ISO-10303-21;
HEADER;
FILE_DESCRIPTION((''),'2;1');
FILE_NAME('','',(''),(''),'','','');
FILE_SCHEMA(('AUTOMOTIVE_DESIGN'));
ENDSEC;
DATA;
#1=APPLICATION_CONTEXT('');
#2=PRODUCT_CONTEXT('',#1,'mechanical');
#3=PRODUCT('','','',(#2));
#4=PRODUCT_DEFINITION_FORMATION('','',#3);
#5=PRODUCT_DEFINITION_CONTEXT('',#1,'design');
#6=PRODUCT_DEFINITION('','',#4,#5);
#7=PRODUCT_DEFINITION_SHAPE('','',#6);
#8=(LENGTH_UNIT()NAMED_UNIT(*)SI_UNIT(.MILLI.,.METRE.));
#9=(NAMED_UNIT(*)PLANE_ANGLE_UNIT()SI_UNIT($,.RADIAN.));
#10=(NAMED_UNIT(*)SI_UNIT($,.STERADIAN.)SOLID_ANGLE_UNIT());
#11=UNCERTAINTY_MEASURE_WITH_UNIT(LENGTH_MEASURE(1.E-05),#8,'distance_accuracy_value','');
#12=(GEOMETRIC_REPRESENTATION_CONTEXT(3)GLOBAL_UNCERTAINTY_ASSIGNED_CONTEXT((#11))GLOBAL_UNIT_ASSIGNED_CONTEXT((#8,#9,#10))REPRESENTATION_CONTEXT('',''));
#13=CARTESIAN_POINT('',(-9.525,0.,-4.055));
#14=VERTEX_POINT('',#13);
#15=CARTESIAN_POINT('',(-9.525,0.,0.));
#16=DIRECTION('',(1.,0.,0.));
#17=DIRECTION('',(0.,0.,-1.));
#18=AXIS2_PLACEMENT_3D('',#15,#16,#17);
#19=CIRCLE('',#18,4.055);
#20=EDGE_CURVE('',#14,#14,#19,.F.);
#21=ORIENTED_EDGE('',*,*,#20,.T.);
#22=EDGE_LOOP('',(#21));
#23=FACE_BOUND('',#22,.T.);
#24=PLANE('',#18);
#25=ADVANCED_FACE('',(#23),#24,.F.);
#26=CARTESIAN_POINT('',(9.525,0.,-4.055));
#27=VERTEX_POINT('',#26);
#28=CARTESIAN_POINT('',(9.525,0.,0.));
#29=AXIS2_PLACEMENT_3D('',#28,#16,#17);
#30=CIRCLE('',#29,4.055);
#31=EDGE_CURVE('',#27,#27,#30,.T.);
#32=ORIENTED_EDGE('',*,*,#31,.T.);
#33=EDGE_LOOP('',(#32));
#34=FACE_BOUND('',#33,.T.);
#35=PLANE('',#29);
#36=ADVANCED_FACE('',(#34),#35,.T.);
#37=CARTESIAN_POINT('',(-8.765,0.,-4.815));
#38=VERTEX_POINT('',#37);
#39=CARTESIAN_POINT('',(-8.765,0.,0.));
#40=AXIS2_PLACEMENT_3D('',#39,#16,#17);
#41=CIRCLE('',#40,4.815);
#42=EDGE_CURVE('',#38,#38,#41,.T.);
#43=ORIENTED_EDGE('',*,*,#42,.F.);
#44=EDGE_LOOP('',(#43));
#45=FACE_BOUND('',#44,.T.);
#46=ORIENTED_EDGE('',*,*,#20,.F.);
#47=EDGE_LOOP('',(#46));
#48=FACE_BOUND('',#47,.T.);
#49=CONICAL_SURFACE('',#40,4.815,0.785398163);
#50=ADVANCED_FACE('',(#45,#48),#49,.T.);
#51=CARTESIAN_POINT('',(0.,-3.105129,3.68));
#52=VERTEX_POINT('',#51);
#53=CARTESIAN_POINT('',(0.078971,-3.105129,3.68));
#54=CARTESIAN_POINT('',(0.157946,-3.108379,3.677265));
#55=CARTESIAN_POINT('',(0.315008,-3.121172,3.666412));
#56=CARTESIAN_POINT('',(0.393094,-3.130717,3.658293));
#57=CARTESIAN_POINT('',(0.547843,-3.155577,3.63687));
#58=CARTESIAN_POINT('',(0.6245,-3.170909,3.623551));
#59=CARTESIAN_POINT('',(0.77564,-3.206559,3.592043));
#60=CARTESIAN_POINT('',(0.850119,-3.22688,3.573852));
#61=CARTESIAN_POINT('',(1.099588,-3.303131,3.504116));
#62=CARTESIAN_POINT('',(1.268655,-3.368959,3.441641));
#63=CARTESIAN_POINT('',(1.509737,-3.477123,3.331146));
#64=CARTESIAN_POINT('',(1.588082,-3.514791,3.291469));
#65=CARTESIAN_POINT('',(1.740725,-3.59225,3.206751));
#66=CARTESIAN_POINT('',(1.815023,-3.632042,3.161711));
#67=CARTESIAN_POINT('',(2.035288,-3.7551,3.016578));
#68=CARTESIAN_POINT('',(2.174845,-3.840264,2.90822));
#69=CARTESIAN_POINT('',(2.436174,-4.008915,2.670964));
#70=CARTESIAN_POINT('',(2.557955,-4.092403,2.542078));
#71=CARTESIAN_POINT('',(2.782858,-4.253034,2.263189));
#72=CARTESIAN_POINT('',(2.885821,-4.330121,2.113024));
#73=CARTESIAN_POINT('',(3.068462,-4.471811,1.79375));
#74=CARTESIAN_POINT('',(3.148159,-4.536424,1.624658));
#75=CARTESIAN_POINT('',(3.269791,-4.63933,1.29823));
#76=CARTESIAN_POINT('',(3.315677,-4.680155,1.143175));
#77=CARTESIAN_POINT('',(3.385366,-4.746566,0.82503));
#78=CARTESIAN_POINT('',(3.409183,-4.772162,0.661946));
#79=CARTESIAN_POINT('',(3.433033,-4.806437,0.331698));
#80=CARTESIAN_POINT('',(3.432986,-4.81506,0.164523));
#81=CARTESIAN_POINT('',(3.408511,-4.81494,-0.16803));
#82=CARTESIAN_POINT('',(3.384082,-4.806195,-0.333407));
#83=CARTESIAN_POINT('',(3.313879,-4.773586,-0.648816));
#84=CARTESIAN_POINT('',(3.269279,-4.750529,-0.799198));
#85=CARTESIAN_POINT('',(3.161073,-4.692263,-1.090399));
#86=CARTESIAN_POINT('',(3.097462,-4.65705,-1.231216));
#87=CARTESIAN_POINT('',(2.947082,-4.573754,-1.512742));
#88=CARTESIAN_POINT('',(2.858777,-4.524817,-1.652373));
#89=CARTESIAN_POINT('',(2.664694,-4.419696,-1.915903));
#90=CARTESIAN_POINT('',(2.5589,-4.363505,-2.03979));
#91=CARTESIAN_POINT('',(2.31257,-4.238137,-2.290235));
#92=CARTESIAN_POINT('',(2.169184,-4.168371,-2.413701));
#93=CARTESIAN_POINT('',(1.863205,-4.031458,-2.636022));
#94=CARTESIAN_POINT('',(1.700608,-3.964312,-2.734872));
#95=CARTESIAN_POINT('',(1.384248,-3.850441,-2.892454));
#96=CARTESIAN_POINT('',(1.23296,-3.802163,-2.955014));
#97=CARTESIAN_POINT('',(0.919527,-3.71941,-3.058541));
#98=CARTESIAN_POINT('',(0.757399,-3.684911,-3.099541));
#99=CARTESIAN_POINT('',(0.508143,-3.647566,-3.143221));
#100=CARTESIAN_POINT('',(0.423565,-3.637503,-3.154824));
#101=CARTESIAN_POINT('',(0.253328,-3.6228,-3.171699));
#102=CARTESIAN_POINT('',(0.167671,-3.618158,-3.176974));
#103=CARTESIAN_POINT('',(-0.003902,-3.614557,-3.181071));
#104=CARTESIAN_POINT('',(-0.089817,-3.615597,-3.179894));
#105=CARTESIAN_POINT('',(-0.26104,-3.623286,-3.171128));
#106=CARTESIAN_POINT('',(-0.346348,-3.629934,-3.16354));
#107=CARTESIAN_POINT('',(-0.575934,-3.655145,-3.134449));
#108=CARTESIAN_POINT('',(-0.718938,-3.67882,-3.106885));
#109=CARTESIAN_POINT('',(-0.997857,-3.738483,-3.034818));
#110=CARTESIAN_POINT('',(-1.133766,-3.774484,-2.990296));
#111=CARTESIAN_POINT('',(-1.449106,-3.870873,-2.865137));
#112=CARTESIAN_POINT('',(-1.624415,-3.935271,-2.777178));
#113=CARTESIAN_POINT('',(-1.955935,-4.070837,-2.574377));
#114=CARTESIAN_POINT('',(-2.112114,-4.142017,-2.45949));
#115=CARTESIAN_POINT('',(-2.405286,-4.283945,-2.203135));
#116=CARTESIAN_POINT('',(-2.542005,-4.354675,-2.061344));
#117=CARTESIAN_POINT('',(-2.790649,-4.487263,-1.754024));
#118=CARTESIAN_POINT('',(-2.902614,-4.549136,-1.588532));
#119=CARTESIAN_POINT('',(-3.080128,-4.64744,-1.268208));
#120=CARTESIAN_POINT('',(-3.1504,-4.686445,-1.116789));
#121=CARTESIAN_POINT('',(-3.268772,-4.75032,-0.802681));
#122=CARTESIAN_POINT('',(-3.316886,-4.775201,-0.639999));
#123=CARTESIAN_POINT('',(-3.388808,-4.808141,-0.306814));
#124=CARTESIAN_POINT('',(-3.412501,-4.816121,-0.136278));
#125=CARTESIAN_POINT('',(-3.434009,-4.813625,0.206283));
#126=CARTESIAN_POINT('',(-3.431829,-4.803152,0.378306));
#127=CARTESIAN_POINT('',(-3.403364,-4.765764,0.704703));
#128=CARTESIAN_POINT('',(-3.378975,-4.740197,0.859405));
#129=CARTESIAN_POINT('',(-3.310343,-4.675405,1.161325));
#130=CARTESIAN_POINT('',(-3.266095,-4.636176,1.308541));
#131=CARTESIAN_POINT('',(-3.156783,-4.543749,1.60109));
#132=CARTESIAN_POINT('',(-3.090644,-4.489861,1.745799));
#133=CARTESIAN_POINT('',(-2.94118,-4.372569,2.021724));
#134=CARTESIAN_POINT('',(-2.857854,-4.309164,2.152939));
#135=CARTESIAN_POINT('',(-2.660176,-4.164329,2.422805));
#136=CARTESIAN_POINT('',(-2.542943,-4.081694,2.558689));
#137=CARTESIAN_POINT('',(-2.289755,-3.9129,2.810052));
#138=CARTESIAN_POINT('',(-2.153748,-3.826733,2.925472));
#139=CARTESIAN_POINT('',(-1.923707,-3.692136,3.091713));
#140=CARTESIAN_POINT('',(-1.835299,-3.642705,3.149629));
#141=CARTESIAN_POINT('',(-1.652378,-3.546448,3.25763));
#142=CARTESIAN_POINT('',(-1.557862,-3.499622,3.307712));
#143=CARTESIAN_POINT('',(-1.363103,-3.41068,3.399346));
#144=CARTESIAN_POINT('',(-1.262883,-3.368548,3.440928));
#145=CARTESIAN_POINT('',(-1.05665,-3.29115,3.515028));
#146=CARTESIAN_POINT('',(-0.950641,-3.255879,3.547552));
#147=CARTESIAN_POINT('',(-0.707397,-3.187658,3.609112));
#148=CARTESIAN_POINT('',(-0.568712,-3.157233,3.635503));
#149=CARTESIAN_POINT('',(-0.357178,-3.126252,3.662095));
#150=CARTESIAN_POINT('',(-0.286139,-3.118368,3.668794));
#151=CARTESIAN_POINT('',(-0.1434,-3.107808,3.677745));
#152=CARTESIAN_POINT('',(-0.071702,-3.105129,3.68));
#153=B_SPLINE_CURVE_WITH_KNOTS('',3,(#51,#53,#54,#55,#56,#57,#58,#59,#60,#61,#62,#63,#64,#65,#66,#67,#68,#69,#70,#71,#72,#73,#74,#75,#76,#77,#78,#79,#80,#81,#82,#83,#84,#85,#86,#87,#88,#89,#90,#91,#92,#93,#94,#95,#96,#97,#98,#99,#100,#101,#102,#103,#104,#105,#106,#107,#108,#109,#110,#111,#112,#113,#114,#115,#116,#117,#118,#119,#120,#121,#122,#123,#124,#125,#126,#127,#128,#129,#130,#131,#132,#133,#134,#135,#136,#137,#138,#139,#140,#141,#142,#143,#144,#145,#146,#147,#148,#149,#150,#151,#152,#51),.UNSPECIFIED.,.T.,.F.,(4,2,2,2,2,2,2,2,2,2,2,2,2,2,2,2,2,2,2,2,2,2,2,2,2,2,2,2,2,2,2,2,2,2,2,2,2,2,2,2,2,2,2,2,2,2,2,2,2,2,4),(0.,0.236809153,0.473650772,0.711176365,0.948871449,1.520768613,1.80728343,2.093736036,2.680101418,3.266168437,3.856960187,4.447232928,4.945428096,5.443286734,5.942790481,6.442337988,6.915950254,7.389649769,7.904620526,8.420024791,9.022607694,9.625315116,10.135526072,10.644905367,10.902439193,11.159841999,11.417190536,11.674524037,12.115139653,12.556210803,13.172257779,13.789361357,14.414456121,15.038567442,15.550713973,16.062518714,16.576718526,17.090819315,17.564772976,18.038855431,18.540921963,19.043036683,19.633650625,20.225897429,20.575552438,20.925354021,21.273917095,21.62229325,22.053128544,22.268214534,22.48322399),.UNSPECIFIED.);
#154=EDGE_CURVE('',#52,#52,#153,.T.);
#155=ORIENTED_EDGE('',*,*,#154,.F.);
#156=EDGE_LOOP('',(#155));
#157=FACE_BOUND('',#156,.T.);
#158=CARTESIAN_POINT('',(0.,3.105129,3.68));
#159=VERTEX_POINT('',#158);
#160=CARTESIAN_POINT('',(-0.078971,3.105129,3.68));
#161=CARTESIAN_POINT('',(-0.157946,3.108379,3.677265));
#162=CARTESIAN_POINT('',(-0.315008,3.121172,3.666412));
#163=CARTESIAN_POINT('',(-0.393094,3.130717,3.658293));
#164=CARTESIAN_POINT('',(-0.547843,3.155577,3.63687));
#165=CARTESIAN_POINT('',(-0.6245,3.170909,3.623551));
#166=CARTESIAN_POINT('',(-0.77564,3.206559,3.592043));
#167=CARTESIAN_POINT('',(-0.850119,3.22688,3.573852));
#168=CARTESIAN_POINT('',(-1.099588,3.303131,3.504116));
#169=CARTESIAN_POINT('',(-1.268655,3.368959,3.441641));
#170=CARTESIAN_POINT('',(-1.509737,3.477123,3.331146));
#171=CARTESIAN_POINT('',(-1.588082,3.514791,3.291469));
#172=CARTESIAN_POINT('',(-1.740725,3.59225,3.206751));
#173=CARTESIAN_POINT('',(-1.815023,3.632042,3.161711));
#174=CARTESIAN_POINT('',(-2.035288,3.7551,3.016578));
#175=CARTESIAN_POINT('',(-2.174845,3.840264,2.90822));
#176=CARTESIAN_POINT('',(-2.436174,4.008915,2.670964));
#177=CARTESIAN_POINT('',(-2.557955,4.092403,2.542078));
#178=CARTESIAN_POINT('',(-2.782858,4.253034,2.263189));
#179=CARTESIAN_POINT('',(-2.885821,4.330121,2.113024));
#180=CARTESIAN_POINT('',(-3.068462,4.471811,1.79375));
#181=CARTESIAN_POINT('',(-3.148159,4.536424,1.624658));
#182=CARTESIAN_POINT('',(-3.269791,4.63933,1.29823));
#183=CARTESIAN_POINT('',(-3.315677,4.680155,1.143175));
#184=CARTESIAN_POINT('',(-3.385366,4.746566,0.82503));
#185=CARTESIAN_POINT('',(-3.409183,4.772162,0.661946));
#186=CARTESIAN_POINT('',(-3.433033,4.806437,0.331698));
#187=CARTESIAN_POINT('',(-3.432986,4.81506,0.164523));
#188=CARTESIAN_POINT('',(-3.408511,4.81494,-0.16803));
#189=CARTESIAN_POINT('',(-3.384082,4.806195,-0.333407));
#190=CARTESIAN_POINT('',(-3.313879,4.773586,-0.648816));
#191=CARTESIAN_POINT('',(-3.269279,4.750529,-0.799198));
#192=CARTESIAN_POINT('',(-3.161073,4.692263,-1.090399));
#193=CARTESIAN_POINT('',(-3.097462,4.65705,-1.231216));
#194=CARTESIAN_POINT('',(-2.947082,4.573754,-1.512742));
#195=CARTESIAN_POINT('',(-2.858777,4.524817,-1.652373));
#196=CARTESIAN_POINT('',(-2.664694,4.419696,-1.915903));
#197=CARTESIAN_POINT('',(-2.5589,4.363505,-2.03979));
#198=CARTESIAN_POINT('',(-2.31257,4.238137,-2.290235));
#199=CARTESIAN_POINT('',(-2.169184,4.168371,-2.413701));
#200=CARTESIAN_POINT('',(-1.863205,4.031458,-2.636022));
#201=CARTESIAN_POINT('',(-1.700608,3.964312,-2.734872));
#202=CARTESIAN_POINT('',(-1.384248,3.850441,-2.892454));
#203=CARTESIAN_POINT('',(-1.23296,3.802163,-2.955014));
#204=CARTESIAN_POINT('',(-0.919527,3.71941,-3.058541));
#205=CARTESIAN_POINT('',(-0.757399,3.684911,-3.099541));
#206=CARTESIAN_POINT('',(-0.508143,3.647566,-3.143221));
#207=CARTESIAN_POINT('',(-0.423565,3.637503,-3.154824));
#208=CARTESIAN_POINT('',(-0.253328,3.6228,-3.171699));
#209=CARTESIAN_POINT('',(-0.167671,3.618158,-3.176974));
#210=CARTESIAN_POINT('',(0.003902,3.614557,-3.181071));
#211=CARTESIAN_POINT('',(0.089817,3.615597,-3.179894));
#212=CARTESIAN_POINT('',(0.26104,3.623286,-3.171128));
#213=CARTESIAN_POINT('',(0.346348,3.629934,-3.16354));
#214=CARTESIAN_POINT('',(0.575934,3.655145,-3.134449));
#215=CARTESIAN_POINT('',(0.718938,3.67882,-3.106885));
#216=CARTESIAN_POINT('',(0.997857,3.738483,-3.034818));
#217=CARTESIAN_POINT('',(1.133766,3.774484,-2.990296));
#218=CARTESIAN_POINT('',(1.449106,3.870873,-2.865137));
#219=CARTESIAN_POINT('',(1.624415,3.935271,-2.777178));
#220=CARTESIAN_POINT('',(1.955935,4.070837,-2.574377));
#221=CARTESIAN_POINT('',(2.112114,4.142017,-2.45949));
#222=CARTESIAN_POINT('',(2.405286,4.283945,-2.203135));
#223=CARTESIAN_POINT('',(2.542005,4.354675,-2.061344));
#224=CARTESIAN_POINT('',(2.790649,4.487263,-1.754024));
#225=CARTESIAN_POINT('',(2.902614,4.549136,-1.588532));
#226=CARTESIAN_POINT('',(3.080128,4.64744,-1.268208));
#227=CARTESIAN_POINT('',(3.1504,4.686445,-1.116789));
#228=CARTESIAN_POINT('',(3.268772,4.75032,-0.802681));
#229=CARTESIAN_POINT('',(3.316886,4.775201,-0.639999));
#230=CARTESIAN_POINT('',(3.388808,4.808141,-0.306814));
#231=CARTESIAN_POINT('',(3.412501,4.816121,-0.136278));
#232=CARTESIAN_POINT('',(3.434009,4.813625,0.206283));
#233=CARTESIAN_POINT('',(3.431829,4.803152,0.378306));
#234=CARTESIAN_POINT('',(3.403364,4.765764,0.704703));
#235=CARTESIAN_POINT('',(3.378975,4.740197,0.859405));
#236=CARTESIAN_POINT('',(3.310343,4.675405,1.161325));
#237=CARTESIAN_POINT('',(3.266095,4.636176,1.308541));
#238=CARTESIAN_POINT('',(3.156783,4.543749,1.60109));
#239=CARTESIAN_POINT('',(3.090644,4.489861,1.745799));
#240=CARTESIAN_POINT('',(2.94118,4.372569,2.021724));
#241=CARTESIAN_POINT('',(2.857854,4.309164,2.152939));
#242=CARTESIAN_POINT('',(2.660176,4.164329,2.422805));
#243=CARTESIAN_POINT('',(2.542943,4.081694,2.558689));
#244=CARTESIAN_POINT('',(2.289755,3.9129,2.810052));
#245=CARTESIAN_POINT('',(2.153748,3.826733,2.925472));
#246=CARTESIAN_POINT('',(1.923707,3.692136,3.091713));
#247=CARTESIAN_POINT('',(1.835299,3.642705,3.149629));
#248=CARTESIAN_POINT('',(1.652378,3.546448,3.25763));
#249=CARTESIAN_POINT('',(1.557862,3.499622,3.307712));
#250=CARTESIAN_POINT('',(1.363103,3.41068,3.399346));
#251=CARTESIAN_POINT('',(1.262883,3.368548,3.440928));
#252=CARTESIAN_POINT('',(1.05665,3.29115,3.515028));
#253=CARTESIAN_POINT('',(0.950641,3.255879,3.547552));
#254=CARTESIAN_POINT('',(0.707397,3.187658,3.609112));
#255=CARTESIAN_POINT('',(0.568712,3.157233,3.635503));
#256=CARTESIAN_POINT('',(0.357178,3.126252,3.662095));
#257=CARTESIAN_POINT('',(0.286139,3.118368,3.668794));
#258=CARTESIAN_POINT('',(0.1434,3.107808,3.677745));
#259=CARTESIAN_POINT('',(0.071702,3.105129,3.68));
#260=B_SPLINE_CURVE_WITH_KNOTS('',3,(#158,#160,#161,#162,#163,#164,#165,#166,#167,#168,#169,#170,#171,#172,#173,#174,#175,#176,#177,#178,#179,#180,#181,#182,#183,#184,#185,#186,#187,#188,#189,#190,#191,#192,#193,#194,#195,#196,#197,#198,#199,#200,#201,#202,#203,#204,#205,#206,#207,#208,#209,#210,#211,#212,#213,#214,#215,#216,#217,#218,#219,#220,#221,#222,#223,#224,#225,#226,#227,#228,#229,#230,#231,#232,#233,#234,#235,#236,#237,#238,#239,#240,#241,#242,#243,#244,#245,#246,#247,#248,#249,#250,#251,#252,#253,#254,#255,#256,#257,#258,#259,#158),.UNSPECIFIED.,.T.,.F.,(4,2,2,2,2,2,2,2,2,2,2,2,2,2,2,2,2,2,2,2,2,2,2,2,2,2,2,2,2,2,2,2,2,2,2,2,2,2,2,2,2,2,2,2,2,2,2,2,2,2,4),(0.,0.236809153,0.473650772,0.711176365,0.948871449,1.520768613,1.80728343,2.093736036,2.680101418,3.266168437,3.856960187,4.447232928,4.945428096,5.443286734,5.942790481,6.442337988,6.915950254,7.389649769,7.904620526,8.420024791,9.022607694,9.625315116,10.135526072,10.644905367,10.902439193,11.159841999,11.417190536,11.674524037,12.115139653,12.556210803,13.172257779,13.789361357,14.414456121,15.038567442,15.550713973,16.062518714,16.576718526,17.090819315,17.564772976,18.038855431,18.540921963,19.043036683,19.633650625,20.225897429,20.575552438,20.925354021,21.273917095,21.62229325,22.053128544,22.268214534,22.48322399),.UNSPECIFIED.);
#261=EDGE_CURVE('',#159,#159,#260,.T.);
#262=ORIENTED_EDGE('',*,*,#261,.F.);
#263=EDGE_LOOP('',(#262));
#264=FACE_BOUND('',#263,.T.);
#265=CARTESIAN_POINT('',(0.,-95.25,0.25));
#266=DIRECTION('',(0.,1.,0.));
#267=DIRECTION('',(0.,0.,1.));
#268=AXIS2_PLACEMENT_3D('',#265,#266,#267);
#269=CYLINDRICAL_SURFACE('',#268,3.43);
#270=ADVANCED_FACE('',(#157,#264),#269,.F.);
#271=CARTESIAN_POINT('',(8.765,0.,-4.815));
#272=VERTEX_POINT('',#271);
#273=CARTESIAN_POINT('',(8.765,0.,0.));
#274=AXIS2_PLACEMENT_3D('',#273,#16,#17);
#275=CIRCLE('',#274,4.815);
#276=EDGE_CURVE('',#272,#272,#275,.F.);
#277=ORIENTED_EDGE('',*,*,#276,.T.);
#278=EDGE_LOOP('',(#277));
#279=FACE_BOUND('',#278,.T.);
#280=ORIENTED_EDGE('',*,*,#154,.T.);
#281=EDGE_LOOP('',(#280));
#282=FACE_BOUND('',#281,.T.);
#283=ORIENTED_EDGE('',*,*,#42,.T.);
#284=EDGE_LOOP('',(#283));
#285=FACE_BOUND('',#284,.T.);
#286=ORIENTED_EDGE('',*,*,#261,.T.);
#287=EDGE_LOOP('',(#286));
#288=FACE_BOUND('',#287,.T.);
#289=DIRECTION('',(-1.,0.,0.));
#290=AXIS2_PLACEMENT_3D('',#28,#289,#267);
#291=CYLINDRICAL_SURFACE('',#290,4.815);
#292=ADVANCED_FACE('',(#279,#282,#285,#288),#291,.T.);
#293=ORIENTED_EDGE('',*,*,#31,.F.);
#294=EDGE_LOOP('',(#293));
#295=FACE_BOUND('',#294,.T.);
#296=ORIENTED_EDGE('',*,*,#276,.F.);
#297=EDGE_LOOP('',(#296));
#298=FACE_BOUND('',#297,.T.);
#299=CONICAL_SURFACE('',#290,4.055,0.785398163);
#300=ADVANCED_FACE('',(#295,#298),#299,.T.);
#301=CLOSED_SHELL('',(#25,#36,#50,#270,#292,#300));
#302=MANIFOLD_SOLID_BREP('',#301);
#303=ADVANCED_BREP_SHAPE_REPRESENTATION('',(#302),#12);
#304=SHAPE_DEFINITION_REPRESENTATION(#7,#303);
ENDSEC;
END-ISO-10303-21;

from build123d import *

# Parameters (mm, degrees)
SKETCH1_R           = 4.815
BOSS_EXTRUDE1_DEPTH = 9.525
CHAMFER1_SIZE       = 0.76
SKETCH2_R           = 3.43
CUT_EXTRUDE1_DEPTH  = 95.25


with BuildPart() as part:
    # Sketch1 → Boss-Extrude1 (new, symmetric)
    with BuildSketch(Plane(origin=(0, 0, 0), x_dir=(0, 0, -1), z_dir=(1, 0, 0))):
        with Locations(Location((0, 0, 0), (0, 0, 180))):
            Circle(SKETCH1_R)
    extrude(amount=BOSS_EXTRUDE1_DEPTH, both=True)

    # Chamfer1
    chamfer1_edges = [part.edges().sort_by_distance(p)[0] for p in [
        (-9.525, 0, -4.815),
        (9.525, 0, -4.815),
    ]]
    chamfer(chamfer1_edges, length=CHAMFER1_SIZE)

    # Sketch2 → Cut-Extrude1 (cut, symmetric)
    with BuildSketch(Plane(origin=(0, 0, 0), x_dir=(1, 0, 0), z_dir=(0, 1, 0))):
        with Locations(Location((0, -0.25, 0), (0, 0, 270))):
            Circle(SKETCH2_R)
    extrude(amount=CUT_EXTRUDE1_DEPTH, both=True, mode=Mode.SUBTRACT)


solid = part.part
